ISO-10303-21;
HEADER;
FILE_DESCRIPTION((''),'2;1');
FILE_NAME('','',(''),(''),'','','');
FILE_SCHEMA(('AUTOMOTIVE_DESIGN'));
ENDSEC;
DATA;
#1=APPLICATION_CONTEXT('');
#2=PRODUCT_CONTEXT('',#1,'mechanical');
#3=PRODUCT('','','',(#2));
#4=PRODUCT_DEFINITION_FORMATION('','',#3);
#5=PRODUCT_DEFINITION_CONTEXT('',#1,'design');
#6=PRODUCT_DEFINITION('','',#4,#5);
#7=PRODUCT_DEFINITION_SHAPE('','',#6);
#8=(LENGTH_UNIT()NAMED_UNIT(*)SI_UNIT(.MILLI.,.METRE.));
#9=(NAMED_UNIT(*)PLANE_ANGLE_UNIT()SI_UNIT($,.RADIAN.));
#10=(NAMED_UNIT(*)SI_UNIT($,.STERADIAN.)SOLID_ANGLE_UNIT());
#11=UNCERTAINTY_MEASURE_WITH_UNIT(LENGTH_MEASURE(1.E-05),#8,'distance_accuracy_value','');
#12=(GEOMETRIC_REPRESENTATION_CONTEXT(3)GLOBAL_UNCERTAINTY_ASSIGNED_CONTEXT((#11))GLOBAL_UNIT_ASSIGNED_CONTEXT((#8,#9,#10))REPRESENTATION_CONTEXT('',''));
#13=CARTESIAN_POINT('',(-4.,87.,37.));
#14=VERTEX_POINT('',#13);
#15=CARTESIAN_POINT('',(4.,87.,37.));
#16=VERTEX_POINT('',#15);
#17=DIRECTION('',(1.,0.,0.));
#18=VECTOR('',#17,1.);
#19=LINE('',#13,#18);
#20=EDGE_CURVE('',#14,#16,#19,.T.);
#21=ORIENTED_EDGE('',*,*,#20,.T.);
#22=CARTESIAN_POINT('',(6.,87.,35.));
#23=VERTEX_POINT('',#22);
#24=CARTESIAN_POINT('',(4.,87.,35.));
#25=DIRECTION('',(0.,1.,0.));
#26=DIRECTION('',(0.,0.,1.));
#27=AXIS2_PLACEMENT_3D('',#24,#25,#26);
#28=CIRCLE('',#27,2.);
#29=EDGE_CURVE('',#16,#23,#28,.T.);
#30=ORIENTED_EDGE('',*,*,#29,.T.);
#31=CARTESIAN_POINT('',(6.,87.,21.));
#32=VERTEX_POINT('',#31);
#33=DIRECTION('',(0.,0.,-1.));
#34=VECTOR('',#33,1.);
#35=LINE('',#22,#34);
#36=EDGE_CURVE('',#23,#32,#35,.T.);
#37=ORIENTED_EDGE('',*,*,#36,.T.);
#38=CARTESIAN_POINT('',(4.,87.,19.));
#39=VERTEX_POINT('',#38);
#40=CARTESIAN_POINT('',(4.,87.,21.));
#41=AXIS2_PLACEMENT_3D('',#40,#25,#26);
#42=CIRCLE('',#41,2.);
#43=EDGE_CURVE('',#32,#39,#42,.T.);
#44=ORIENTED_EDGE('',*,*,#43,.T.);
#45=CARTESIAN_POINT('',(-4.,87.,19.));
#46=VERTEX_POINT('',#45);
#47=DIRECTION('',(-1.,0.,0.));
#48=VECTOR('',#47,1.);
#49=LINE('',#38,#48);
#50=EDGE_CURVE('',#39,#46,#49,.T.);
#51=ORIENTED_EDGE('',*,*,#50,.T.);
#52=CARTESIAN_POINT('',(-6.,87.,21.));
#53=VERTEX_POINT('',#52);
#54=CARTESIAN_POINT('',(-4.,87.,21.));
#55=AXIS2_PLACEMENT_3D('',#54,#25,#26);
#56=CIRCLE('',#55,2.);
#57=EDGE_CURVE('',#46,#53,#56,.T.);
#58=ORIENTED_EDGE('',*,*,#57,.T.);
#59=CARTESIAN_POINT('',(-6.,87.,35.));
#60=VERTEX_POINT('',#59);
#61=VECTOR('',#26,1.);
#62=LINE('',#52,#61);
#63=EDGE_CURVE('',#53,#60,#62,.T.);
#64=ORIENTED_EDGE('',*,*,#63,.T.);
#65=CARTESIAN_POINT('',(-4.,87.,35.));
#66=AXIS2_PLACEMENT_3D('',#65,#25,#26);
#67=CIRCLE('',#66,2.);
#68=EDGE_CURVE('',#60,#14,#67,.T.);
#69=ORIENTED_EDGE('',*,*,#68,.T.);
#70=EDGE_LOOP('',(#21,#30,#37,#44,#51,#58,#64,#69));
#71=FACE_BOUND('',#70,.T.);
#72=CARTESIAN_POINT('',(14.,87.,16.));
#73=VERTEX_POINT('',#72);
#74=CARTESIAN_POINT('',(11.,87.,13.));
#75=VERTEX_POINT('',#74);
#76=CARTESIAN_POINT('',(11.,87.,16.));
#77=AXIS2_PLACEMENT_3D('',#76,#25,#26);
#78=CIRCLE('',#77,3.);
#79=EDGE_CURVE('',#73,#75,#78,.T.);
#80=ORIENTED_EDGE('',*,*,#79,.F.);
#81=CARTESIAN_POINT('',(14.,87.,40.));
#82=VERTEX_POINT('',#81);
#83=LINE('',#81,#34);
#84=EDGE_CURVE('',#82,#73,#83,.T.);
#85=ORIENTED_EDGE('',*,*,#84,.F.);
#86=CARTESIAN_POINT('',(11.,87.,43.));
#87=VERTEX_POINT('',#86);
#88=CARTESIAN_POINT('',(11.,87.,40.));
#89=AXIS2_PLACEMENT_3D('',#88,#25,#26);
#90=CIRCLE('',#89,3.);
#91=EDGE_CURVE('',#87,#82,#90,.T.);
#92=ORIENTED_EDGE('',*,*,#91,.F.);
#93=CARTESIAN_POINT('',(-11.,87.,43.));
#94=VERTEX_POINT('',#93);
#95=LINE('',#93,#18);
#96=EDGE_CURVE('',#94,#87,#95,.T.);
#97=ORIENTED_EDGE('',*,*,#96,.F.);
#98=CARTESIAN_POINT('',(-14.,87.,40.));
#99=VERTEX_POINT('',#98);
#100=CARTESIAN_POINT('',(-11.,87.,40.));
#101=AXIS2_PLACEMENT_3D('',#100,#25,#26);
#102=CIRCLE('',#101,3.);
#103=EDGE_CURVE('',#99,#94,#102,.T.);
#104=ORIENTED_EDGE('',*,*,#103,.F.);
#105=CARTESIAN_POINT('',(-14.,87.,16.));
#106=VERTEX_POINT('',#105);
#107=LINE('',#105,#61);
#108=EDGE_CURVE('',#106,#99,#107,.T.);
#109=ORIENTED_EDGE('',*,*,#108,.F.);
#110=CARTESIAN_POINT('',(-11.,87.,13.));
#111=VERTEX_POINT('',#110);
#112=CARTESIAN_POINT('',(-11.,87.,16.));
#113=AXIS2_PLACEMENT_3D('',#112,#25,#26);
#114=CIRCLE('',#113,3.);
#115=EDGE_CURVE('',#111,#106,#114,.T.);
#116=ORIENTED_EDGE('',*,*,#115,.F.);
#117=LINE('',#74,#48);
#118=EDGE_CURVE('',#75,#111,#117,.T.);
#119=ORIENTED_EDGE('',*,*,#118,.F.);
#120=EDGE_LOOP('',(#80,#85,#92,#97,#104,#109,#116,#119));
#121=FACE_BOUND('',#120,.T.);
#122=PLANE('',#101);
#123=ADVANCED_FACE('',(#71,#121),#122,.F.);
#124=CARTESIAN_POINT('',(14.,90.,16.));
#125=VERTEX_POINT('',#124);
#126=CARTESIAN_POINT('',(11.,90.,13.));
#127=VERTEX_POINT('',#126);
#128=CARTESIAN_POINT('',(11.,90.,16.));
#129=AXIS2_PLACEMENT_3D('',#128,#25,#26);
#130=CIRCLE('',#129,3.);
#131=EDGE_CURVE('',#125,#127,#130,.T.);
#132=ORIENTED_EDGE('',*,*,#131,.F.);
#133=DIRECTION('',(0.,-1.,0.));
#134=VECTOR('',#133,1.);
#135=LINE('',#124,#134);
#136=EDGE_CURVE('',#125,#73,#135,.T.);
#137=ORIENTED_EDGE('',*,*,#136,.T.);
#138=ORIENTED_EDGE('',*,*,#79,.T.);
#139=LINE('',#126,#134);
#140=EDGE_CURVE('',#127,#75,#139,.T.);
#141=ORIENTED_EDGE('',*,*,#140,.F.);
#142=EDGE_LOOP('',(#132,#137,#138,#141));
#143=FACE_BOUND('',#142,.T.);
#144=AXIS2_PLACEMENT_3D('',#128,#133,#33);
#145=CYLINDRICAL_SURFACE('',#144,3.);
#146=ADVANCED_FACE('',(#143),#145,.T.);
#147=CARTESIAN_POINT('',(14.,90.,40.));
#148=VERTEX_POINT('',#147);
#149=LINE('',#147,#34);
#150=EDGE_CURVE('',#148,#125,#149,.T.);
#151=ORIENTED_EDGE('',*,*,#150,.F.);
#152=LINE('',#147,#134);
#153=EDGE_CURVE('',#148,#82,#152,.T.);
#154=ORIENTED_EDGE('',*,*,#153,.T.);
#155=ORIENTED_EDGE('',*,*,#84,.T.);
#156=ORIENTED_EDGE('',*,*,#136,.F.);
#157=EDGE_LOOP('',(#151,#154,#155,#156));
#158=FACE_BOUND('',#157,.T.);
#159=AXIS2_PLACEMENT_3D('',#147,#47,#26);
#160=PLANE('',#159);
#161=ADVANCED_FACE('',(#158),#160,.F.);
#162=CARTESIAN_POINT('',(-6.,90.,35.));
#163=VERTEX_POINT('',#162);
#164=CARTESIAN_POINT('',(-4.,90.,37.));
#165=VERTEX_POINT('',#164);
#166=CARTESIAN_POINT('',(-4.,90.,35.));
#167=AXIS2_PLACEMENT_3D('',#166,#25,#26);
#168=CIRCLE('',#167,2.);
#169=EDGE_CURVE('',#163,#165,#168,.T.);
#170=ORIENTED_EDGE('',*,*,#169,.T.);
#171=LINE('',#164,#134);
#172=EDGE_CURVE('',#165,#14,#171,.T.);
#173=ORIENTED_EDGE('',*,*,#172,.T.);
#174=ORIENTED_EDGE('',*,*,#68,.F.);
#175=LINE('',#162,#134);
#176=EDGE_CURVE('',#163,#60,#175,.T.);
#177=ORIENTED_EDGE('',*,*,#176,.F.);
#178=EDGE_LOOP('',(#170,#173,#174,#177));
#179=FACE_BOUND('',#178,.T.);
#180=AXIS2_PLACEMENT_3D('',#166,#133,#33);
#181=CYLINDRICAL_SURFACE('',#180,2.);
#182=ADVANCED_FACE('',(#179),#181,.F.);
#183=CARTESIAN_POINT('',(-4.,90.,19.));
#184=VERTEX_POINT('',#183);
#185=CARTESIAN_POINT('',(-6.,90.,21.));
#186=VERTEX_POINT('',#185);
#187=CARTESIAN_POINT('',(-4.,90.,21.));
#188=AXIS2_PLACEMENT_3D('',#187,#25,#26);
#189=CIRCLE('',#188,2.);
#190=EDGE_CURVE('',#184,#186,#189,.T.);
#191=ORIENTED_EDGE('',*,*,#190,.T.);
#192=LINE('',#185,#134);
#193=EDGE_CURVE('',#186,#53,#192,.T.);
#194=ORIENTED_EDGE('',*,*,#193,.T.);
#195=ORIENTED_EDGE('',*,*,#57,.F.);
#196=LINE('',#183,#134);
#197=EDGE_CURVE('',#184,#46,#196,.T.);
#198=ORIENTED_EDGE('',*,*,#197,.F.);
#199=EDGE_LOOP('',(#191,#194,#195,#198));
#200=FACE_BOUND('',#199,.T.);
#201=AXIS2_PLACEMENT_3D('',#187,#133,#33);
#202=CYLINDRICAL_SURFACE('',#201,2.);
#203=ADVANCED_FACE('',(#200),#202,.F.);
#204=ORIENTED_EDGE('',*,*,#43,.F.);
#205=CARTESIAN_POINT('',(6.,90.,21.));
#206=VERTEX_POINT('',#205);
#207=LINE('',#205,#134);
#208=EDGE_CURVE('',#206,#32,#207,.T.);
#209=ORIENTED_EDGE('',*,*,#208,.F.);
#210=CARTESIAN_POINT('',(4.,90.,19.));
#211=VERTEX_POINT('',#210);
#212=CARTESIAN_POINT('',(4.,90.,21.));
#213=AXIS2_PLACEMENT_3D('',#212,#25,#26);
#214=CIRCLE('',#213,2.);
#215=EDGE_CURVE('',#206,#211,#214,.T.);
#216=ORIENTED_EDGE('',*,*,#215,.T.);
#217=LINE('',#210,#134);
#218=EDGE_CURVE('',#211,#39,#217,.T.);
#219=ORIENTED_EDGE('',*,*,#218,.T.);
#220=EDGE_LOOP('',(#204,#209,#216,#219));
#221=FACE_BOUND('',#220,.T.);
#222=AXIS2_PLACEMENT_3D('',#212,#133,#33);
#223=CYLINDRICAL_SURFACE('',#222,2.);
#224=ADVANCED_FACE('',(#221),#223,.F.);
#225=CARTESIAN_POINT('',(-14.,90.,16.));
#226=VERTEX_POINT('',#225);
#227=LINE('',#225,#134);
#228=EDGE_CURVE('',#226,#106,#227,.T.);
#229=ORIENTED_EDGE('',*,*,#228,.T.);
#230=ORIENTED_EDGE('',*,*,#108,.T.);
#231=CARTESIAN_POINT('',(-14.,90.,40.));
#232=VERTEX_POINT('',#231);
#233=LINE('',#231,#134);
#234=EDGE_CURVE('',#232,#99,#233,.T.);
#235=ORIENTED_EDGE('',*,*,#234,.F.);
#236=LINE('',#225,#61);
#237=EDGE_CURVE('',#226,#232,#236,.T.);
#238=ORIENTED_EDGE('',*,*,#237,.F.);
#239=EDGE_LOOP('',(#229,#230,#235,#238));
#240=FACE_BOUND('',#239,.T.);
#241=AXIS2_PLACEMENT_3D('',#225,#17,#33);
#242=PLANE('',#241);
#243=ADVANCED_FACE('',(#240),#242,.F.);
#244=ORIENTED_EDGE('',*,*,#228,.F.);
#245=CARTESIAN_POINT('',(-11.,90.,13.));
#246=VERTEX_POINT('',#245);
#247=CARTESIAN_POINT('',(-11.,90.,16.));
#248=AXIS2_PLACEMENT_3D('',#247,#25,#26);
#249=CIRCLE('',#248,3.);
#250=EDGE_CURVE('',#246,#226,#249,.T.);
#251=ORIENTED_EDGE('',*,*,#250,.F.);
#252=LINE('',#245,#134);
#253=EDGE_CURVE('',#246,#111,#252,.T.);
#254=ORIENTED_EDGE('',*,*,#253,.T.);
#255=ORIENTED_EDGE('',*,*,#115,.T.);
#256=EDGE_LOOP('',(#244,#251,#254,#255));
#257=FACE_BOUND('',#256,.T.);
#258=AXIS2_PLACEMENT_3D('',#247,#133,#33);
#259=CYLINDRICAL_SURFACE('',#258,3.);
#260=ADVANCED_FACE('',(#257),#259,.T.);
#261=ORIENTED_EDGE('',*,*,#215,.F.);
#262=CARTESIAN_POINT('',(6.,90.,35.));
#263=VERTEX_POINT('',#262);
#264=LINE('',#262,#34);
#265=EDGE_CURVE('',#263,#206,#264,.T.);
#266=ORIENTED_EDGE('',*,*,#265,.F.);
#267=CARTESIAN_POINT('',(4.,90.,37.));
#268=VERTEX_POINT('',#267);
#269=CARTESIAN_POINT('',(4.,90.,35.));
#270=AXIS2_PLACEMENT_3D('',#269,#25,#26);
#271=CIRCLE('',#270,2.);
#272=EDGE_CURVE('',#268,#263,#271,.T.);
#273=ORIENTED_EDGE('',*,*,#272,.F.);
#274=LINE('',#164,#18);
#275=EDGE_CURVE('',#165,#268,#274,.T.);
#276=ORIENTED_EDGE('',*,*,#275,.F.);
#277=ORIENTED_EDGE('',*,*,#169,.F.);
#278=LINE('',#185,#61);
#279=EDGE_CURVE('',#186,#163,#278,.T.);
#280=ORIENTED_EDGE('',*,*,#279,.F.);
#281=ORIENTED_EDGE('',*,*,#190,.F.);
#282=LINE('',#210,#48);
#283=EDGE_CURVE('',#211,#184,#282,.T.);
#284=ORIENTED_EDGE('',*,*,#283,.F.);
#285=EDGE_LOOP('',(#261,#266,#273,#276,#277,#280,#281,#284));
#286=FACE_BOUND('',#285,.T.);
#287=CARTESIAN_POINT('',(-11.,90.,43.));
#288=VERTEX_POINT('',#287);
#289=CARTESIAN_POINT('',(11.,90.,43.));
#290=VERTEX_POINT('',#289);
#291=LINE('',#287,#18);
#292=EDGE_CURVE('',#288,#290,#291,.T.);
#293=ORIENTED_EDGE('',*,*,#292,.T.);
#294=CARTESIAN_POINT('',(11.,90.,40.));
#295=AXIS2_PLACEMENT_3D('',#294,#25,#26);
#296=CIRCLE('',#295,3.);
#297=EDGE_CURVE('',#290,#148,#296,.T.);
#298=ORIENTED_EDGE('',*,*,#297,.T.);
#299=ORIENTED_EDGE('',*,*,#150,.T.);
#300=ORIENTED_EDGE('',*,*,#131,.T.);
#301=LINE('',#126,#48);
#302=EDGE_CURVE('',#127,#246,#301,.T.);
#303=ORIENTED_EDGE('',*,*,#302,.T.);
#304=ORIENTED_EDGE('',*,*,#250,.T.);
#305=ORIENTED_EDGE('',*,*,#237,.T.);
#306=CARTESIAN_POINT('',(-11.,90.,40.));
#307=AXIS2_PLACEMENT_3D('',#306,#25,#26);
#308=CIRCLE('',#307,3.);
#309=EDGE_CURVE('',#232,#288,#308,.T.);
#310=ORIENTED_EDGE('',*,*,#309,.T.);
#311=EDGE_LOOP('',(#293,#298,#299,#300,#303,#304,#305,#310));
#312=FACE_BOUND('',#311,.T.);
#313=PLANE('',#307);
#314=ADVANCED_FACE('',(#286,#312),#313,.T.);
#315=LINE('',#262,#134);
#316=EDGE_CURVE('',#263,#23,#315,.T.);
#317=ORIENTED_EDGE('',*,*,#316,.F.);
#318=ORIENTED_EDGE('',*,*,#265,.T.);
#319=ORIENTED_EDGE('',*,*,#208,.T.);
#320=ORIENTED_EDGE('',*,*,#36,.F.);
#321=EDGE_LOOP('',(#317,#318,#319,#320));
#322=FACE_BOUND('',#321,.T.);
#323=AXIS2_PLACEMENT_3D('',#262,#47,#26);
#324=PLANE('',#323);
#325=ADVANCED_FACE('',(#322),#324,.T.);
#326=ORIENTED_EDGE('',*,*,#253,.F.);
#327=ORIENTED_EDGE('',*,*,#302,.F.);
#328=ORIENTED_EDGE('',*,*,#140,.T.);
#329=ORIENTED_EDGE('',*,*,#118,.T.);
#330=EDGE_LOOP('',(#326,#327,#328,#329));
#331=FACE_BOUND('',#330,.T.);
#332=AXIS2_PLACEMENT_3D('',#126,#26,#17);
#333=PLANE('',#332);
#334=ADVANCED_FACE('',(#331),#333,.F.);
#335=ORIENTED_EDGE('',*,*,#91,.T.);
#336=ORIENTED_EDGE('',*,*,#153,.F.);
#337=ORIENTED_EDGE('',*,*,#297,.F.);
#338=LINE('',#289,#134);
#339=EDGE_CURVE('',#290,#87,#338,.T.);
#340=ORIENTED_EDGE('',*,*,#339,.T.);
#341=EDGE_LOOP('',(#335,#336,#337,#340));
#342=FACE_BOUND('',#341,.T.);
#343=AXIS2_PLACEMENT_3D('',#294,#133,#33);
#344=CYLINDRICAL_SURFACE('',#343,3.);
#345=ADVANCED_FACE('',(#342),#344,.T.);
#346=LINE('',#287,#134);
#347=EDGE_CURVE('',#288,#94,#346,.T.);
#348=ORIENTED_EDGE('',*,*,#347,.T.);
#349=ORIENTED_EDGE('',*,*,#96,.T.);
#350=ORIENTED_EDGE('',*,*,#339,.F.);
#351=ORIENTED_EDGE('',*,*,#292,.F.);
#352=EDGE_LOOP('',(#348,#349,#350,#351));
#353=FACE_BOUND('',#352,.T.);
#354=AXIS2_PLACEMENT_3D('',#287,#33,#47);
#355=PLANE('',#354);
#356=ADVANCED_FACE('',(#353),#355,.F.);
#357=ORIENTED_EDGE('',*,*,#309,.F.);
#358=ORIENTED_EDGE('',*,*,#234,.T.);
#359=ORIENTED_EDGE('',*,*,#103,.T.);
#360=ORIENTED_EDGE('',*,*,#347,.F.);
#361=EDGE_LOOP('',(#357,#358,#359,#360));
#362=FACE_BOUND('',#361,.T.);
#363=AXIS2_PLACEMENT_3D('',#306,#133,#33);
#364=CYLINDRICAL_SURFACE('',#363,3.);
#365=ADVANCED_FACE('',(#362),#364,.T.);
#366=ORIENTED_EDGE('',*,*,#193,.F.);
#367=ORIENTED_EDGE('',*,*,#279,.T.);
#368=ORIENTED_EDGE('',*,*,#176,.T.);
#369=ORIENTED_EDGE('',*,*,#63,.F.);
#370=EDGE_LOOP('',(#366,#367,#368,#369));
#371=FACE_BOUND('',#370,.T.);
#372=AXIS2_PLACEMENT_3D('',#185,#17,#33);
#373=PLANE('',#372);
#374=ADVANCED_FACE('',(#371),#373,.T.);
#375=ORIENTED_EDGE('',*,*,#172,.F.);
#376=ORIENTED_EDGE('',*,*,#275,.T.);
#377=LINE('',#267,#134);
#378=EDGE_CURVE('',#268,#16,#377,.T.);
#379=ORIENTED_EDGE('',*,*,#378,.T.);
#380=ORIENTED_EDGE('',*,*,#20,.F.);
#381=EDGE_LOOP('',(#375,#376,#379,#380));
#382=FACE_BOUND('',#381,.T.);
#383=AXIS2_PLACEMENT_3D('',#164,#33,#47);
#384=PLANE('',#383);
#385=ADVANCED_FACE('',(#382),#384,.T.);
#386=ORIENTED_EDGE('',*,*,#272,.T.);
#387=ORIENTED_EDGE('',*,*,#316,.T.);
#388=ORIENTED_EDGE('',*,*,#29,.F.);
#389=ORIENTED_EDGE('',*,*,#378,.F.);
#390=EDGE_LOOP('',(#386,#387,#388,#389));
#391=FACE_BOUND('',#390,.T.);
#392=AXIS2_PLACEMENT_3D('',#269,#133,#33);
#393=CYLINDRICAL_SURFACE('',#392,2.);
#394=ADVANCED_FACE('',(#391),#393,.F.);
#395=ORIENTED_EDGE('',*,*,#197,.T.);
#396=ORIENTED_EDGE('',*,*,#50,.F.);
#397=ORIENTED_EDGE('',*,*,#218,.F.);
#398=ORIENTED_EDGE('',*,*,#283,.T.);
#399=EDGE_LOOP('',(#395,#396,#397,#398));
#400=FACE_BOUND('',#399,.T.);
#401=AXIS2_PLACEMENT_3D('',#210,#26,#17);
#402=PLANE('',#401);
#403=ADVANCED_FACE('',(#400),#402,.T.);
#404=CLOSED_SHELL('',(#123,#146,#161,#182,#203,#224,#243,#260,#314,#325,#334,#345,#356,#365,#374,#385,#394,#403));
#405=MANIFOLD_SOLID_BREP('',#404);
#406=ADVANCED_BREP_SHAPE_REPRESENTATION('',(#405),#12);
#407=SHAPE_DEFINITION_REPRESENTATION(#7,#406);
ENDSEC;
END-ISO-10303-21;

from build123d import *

# Parameters (mm, degrees)
EXTRUDE_START     = 87
EXTRUDE_236_DEPTH = 3


with BuildPart() as part:
    # 草图1 → Extrude 236 (new body)
    with BuildSketch(Plane(origin=(0, 0, 0), x_dir=(1, 0, 0), z_dir=(0, 1, 0)).offset(EXTRUDE_START)):
        with BuildLine():
            Line((-11, -43), (11, -43))
            ThreePointArc((11, -43), (13.121320344, -42.121320344), (14, -40))
            Line((14, -40), (14, -16))
            ThreePointArc((14, -16), (13.121320344, -13.878679656), (11, -13))
            Line((11, -13), (-11, -13))
            ThreePointArc((-11, -13), (-13.121320344, -13.878679656), (-14, -16))
            Line((-14, -16), (-14, -40))
            ThreePointArc((-14, -40), (-13.121320344, -42.121320344), (-11, -43))
        make_face()
        with BuildLine():
            Line((-4, -37), (4, -37))
            ThreePointArc((4, -37), (5.414213562, -36.414213562), (6, -35))
            Line((6, -35), (6, -21))
            ThreePointArc((6, -21), (5.414213562, -19.585786438), (4, -19))
            Line((4, -19), (-4, -19))
            ThreePointArc((-4, -19), (-5.414213562, -19.585786438), (-6, -21))
            Line((-6, -21), (-6, -35))
            ThreePointArc((-6, -35), (-5.414213562, -36.414213562), (-4, -37))
        make_face(mode=Mode.SUBTRACT)
    extrude(amount=EXTRUDE_236_DEPTH)


solid = part.part
